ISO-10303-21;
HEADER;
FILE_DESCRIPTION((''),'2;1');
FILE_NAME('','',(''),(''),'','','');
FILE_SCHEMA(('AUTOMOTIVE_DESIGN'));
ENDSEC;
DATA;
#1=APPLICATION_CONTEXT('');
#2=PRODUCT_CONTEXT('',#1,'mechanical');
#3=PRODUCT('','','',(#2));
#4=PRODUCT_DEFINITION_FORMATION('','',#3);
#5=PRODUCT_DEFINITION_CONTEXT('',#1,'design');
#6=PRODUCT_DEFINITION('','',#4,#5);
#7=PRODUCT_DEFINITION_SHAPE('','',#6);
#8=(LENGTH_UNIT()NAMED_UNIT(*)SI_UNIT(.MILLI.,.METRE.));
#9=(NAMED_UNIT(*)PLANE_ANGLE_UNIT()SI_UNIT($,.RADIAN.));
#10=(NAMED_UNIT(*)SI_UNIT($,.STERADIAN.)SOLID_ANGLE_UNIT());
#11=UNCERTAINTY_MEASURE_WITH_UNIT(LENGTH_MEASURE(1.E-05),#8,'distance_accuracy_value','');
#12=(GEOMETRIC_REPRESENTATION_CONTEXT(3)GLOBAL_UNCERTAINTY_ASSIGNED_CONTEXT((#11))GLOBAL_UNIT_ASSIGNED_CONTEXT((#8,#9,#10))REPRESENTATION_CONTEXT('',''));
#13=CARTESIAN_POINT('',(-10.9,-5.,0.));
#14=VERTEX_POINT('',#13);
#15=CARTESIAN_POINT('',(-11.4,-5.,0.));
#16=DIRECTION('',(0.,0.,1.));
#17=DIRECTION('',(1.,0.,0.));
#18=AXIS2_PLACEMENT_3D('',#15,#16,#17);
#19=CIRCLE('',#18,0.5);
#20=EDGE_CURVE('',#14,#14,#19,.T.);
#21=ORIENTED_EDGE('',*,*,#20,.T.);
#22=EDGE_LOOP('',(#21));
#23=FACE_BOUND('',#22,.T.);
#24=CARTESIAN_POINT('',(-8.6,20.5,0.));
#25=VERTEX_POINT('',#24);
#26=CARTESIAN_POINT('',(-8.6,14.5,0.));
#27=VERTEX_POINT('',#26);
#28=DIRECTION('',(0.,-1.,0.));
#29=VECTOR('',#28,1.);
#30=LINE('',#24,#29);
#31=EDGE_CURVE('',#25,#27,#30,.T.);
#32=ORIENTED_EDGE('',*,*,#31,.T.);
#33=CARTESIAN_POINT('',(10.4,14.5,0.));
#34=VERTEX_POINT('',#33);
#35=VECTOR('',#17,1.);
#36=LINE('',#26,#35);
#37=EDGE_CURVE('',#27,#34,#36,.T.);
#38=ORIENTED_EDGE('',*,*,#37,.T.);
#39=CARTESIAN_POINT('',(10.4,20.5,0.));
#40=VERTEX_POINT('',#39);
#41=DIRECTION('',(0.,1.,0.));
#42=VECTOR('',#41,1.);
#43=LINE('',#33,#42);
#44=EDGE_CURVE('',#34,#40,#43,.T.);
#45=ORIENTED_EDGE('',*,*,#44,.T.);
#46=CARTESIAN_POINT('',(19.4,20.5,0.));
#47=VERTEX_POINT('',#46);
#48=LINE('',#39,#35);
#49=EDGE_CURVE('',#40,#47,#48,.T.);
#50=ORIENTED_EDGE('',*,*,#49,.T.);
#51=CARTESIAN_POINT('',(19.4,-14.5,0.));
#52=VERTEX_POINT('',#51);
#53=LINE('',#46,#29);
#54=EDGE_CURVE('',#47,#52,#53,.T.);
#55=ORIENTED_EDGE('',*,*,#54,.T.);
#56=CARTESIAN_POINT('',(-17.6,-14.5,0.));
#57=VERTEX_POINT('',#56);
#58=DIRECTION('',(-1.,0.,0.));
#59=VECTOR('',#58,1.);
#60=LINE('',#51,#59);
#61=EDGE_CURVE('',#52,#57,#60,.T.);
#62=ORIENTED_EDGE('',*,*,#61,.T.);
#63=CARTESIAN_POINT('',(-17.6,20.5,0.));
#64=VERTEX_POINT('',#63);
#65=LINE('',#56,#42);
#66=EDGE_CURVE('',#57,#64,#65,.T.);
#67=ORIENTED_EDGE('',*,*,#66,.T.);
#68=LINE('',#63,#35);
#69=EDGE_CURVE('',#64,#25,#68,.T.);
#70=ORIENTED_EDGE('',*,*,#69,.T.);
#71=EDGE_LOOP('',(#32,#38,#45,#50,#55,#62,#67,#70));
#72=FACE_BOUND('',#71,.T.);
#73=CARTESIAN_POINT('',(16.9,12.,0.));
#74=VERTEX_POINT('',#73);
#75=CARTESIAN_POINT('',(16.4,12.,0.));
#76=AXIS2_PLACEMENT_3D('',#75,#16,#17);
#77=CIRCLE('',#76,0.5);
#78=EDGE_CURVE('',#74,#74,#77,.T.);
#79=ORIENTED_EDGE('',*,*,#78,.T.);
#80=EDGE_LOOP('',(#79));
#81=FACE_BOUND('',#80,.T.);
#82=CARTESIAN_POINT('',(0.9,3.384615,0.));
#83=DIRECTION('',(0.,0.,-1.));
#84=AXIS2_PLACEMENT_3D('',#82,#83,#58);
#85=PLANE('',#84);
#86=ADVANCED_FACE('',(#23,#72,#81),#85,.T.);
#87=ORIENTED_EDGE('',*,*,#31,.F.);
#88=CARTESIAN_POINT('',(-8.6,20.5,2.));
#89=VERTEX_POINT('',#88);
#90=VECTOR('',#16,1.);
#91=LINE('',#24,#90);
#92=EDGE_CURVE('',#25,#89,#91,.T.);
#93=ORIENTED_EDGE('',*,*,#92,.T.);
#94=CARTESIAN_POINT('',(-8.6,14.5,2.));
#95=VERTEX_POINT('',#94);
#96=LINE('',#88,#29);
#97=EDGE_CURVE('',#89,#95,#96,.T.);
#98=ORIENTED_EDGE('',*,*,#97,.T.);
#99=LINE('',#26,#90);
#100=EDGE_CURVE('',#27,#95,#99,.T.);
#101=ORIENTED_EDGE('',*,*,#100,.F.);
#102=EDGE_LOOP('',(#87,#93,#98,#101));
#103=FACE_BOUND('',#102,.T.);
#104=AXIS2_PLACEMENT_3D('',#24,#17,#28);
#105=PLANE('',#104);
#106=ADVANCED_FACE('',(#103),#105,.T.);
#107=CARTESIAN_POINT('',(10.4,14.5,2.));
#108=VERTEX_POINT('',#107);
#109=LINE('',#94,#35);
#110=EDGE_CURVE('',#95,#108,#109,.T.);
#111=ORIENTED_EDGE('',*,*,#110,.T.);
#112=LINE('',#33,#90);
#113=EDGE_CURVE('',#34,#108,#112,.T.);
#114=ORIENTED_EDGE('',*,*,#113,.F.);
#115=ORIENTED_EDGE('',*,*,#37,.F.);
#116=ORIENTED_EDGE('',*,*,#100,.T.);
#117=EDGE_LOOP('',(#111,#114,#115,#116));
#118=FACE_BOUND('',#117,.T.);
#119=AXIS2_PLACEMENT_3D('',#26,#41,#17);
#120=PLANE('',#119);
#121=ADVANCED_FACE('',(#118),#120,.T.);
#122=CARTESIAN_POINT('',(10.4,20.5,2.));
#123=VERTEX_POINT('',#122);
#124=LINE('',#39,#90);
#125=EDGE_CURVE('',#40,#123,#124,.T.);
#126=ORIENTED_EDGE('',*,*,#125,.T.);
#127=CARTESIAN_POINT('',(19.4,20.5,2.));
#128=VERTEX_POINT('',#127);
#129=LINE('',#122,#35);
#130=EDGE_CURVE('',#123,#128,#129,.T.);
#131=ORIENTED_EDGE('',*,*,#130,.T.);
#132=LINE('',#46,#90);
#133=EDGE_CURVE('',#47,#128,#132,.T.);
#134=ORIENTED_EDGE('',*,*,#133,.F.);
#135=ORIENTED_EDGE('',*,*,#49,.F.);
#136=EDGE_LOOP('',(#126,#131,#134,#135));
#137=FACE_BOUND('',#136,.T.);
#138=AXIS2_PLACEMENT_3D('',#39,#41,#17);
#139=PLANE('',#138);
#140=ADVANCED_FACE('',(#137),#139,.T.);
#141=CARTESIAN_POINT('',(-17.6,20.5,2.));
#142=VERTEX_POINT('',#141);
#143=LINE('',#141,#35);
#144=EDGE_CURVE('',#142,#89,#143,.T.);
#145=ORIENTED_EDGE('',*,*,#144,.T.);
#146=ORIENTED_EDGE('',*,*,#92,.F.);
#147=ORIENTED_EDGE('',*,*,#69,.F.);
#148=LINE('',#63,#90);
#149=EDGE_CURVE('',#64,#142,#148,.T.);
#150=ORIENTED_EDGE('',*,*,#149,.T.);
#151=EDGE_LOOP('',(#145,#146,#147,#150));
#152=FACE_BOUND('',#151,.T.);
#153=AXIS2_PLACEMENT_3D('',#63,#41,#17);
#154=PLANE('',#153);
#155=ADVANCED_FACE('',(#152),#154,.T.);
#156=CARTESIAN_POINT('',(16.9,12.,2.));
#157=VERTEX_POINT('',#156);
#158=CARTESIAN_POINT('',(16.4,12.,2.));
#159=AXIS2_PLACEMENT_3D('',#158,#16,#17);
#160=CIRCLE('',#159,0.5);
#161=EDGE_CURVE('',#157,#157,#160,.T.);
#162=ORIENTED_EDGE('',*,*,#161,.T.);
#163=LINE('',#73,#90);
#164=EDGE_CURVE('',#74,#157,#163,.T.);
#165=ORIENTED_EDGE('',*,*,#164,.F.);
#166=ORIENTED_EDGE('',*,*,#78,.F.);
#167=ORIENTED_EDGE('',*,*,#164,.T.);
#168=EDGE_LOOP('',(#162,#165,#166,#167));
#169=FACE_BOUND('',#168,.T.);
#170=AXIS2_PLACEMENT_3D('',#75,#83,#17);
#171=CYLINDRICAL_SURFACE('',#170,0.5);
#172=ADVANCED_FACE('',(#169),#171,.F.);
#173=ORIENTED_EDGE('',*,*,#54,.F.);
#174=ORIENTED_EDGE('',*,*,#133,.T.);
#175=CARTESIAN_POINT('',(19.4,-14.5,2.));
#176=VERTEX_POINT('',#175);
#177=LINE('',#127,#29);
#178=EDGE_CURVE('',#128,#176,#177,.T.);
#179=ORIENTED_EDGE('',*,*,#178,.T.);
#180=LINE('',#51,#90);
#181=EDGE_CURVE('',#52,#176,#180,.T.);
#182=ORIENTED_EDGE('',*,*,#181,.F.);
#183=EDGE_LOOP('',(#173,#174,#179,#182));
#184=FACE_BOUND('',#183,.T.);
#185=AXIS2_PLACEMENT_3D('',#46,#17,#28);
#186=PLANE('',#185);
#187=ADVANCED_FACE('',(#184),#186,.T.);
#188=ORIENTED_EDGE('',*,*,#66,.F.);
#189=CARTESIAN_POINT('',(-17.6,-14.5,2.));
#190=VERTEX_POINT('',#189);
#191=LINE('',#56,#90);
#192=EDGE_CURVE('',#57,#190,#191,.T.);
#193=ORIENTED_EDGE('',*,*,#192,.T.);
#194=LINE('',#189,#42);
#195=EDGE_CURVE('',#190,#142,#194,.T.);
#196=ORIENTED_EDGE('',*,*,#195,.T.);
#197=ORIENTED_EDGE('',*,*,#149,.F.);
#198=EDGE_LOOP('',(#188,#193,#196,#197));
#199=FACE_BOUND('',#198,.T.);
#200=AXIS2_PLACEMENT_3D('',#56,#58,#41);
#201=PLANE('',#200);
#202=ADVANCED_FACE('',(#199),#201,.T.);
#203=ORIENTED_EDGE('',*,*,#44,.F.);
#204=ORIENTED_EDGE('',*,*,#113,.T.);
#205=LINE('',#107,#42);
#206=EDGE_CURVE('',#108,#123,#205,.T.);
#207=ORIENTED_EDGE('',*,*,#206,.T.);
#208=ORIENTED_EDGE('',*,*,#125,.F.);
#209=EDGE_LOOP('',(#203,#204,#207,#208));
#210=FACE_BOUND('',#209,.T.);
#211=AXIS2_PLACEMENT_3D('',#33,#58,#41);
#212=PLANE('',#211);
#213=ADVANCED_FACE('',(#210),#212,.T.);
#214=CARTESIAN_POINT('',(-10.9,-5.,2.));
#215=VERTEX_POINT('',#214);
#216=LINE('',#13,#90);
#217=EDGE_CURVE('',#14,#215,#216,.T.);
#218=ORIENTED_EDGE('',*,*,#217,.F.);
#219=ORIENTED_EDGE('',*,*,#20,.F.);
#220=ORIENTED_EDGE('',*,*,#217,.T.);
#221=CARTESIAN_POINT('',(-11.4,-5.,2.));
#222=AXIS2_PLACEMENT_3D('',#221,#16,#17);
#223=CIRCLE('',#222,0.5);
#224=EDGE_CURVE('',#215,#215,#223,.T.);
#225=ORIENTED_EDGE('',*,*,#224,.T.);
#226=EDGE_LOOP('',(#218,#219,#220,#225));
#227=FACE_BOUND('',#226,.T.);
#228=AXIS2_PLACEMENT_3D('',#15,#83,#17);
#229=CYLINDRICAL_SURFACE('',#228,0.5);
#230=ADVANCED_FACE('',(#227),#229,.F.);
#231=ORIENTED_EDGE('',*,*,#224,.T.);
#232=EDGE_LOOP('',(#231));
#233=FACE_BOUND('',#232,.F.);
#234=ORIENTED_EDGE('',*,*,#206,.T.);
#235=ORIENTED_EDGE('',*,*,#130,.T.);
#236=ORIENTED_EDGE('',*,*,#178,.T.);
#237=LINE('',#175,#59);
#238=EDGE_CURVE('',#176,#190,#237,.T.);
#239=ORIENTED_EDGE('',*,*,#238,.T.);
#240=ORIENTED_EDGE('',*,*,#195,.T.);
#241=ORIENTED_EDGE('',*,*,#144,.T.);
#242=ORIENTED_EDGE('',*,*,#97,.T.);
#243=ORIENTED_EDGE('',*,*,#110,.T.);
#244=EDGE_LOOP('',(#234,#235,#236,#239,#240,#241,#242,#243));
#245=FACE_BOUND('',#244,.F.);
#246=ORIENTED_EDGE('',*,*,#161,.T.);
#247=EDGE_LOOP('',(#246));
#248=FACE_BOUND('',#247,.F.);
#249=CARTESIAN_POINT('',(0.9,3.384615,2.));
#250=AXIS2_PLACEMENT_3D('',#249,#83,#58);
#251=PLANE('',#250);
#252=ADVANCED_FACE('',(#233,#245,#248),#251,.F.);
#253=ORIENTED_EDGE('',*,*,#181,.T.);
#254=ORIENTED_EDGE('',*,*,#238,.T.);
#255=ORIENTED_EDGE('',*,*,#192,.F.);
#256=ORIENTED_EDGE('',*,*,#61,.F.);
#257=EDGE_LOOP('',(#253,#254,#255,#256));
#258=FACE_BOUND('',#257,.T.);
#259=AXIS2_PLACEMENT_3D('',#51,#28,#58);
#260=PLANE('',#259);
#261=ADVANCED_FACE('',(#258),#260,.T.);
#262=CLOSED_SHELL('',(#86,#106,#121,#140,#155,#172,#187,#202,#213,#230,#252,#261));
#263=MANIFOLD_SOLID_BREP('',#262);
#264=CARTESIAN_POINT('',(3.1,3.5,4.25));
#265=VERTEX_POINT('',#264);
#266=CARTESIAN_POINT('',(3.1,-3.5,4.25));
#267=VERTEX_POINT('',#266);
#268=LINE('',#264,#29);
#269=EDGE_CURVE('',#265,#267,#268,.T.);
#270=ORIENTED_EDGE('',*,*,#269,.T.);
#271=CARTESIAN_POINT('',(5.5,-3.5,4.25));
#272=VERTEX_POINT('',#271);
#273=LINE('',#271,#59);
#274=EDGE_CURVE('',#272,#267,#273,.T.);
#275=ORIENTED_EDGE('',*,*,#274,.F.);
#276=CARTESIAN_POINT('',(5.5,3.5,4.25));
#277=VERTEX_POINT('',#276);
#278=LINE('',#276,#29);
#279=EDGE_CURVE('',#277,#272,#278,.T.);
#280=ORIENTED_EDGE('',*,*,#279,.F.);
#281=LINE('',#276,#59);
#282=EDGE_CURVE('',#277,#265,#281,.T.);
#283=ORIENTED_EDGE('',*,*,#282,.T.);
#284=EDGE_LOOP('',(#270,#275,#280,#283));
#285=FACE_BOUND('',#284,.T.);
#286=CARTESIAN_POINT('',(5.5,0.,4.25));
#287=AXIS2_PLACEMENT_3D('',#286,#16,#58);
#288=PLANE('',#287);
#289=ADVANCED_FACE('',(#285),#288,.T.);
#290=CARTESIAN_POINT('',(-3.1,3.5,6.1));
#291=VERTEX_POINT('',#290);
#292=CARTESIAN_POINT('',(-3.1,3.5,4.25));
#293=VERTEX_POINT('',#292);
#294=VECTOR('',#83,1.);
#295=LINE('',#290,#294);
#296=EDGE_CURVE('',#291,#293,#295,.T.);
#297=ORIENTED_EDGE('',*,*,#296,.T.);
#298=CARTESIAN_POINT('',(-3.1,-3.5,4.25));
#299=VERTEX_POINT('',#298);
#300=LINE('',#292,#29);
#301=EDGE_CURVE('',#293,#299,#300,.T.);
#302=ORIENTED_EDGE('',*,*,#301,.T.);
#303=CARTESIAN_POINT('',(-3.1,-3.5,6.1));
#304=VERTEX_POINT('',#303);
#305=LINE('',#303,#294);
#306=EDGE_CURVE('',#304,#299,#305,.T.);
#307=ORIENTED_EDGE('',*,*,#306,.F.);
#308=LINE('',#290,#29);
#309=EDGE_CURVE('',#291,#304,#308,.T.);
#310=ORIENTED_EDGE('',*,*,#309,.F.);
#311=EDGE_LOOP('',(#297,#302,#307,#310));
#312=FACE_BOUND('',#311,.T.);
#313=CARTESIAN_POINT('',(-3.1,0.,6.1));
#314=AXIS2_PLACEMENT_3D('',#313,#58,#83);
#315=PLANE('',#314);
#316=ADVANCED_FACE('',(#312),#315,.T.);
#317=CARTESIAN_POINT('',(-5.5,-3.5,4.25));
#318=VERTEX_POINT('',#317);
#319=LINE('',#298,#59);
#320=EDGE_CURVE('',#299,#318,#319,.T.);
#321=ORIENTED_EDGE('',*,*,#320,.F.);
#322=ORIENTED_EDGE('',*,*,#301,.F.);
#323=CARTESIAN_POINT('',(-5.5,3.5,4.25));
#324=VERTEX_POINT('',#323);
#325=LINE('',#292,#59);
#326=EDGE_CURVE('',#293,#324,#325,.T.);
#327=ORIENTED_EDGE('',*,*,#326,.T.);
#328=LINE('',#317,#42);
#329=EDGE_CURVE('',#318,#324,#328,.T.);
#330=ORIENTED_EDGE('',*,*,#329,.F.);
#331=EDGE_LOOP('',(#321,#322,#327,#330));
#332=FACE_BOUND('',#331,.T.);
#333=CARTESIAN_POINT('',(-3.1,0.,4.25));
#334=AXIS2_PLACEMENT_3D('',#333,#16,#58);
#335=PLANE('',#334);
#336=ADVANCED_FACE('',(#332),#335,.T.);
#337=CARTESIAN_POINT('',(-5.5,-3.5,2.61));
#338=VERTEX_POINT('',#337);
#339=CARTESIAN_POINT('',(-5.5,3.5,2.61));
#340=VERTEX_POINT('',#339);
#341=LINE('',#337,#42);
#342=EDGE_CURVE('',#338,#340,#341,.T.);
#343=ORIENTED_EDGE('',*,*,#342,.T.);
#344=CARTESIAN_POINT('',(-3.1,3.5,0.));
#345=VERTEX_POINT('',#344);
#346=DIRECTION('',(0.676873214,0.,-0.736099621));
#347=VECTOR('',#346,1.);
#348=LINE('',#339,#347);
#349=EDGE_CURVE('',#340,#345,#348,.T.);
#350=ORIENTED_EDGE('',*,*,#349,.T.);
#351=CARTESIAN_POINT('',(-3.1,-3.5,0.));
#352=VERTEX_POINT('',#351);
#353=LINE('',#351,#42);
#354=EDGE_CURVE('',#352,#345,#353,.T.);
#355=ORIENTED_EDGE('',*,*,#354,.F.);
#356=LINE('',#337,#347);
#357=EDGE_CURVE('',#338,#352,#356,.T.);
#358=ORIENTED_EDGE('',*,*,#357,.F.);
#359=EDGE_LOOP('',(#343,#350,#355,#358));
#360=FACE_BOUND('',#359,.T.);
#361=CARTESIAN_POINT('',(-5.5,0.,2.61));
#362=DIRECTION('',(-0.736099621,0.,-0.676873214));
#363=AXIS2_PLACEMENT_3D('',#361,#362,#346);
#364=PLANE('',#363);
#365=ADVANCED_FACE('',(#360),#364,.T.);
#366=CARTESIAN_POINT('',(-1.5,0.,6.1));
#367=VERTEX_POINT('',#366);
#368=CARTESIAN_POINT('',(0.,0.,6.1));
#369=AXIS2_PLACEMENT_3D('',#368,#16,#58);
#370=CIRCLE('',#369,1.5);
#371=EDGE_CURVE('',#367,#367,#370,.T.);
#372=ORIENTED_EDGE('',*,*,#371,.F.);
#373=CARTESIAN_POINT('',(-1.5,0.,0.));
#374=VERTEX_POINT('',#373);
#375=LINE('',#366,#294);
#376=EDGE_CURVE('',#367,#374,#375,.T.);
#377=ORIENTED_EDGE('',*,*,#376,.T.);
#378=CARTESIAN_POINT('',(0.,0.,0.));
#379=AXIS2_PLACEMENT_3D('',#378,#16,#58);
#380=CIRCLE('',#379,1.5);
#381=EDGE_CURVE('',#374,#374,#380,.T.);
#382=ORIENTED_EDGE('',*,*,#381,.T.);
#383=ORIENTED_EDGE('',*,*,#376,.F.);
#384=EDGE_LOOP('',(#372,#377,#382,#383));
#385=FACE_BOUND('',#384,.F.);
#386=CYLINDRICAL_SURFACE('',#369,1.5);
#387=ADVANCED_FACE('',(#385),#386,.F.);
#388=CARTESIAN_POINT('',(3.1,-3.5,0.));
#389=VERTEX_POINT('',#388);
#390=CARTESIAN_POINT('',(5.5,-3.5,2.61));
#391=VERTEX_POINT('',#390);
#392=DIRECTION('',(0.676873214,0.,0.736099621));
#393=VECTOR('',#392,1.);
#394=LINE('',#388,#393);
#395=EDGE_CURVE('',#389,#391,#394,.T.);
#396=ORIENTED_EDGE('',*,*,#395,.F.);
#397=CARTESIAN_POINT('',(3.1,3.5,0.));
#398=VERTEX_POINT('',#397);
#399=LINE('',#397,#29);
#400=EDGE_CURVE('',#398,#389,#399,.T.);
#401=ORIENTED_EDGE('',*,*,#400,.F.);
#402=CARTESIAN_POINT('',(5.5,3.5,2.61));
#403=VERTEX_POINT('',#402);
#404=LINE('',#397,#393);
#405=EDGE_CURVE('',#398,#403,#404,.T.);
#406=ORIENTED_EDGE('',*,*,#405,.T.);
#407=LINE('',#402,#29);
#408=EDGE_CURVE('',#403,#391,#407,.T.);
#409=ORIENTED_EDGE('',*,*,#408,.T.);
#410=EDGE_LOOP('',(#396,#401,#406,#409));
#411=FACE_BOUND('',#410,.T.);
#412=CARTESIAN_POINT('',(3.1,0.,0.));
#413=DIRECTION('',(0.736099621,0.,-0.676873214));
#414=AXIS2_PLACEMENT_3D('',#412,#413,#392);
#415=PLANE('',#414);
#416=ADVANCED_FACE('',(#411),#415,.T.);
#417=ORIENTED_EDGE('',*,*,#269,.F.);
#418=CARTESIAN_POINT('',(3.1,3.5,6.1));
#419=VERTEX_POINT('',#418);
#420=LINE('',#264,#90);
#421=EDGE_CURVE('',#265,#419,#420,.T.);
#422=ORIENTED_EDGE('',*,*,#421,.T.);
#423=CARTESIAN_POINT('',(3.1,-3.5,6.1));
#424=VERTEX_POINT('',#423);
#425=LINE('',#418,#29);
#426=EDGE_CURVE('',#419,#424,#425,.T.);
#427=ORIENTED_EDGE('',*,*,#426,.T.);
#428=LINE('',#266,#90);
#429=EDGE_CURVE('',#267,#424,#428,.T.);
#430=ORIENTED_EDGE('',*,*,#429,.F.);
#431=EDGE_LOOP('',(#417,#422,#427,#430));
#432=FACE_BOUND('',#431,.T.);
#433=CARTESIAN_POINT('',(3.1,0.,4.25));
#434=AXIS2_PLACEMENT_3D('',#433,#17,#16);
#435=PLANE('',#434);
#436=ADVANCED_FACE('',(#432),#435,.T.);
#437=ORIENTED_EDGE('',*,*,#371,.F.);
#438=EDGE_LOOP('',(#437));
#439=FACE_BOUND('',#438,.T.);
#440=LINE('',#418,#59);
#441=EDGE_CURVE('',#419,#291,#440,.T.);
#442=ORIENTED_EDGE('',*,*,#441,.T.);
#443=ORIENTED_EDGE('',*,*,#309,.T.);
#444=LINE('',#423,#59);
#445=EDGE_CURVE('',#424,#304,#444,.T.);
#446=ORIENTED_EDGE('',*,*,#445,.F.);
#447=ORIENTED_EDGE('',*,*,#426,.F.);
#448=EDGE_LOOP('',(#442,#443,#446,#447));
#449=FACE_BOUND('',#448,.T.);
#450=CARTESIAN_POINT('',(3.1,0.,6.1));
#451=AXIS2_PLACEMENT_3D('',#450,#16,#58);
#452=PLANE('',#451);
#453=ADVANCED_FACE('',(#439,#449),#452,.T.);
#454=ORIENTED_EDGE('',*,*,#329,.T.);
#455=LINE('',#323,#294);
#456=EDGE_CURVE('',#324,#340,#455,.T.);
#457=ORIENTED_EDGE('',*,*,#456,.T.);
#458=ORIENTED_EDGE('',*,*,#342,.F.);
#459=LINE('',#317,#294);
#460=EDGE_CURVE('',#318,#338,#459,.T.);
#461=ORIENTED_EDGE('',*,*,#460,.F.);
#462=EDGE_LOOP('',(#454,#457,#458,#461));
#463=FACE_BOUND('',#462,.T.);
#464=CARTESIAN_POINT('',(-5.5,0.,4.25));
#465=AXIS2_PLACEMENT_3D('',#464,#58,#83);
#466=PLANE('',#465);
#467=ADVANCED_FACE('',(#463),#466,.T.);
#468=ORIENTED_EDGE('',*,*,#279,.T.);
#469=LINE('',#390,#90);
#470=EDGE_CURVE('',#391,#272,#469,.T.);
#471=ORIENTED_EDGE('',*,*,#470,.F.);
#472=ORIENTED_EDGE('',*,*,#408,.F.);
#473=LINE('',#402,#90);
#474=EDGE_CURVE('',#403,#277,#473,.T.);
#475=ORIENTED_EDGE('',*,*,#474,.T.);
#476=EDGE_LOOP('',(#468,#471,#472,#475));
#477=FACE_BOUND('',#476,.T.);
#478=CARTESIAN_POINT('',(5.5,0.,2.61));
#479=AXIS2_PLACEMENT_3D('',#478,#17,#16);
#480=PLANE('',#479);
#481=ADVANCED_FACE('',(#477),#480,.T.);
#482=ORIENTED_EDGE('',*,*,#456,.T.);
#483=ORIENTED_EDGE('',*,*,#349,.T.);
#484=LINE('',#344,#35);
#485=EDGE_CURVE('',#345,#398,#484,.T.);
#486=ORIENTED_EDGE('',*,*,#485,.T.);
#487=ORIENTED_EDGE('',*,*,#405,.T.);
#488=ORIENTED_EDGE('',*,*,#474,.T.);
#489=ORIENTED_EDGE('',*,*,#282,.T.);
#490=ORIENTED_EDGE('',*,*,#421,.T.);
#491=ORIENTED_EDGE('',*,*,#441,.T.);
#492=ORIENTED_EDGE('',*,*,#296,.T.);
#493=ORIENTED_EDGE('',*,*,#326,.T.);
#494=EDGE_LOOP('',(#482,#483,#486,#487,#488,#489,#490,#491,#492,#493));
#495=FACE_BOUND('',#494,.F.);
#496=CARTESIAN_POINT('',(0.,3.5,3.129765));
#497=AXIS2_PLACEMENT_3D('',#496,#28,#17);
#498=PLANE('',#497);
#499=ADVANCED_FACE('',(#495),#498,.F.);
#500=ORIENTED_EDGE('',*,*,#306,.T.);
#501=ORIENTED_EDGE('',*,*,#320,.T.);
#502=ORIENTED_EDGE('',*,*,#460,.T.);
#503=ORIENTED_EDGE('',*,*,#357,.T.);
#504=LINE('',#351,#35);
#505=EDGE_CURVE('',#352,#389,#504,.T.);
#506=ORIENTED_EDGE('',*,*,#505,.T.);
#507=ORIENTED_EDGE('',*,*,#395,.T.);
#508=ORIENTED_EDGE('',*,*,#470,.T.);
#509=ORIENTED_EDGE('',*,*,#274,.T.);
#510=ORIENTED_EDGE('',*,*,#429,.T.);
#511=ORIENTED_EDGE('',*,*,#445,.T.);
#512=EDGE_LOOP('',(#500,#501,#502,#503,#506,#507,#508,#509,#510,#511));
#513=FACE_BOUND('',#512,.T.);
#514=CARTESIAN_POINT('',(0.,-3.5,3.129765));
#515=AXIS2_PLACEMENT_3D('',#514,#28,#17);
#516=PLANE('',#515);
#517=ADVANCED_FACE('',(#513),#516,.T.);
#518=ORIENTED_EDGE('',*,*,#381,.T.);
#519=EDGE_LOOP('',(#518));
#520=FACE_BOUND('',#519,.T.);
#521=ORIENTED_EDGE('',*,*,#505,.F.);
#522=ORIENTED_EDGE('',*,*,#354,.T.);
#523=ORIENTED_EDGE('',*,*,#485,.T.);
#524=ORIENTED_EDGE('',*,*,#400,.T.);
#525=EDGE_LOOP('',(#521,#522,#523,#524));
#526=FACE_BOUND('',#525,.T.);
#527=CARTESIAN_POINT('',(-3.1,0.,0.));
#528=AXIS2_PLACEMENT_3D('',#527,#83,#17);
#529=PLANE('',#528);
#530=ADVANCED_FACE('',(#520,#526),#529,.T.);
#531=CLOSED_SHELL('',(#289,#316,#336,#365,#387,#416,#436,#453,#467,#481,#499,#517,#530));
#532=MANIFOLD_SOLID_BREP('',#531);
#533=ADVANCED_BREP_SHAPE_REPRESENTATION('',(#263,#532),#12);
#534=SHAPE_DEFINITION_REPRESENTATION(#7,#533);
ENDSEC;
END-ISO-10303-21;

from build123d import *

# Parameters (mm, degrees)
SKETCH_R          = 0.5
PAD_DEPTH         = 2
PAD001_DEPTH      = 3.5
PAD001_DEPTH_BACK = 3.5
SKETCH002_R       = 1.5
POCKET_DEPTH      = 6.101


with BuildPart() as body:
    # Sketch → Pad (new body)
    with BuildSketch(Plane.XY):
        Polygon((-17.6, 20.5), (-8.6, 20.5), (-8.6, 14.5), (10.4, 14.5), (10.4, 20.5), (19.4, 20.5), (19.4, -14.5), (-17.6, -14.5), align=None)
        with Locations((16.4, 12)):
            Circle(SKETCH_R, mode=Mode.SUBTRACT)
        with Locations((-11.4, -5)):
            Circle(SKETCH_R, mode=Mode.SUBTRACT)
    extrude(amount=PAD_DEPTH)


with BuildPart() as tnut:
    # Sketch001 → Pad001 (new body, two sides)
    with BuildSketch(Plane.XZ) as pad001_sk:
        Polygon((-3.1, 0), (3.1, 0), (5.5, 2.61), (5.5, 4.25), (3.1, 4.25), (3.1, 6.1), (-3.1, 6.1), (-3.1, 4.25), (-5.5, 4.25), (-5.5, 2.61), align=None)
    extrude(amount=PAD001_DEPTH)
    extrude(pad001_sk.sketch, amount=-PAD001_DEPTH_BACK)

    # Sketch002 (on Face6 of Pad001) → Pocket (cut, through all)
    with BuildSketch(Plane(origin=(0, 0, 6.1), x_dir=(-1, 0, 0), z_dir=(0, 0, 1))):
        Circle(SKETCH002_R)
    extrude(amount=-POCKET_DEPTH, mode=Mode.SUBTRACT)


solid = Compound([body.part, tnut.part])
